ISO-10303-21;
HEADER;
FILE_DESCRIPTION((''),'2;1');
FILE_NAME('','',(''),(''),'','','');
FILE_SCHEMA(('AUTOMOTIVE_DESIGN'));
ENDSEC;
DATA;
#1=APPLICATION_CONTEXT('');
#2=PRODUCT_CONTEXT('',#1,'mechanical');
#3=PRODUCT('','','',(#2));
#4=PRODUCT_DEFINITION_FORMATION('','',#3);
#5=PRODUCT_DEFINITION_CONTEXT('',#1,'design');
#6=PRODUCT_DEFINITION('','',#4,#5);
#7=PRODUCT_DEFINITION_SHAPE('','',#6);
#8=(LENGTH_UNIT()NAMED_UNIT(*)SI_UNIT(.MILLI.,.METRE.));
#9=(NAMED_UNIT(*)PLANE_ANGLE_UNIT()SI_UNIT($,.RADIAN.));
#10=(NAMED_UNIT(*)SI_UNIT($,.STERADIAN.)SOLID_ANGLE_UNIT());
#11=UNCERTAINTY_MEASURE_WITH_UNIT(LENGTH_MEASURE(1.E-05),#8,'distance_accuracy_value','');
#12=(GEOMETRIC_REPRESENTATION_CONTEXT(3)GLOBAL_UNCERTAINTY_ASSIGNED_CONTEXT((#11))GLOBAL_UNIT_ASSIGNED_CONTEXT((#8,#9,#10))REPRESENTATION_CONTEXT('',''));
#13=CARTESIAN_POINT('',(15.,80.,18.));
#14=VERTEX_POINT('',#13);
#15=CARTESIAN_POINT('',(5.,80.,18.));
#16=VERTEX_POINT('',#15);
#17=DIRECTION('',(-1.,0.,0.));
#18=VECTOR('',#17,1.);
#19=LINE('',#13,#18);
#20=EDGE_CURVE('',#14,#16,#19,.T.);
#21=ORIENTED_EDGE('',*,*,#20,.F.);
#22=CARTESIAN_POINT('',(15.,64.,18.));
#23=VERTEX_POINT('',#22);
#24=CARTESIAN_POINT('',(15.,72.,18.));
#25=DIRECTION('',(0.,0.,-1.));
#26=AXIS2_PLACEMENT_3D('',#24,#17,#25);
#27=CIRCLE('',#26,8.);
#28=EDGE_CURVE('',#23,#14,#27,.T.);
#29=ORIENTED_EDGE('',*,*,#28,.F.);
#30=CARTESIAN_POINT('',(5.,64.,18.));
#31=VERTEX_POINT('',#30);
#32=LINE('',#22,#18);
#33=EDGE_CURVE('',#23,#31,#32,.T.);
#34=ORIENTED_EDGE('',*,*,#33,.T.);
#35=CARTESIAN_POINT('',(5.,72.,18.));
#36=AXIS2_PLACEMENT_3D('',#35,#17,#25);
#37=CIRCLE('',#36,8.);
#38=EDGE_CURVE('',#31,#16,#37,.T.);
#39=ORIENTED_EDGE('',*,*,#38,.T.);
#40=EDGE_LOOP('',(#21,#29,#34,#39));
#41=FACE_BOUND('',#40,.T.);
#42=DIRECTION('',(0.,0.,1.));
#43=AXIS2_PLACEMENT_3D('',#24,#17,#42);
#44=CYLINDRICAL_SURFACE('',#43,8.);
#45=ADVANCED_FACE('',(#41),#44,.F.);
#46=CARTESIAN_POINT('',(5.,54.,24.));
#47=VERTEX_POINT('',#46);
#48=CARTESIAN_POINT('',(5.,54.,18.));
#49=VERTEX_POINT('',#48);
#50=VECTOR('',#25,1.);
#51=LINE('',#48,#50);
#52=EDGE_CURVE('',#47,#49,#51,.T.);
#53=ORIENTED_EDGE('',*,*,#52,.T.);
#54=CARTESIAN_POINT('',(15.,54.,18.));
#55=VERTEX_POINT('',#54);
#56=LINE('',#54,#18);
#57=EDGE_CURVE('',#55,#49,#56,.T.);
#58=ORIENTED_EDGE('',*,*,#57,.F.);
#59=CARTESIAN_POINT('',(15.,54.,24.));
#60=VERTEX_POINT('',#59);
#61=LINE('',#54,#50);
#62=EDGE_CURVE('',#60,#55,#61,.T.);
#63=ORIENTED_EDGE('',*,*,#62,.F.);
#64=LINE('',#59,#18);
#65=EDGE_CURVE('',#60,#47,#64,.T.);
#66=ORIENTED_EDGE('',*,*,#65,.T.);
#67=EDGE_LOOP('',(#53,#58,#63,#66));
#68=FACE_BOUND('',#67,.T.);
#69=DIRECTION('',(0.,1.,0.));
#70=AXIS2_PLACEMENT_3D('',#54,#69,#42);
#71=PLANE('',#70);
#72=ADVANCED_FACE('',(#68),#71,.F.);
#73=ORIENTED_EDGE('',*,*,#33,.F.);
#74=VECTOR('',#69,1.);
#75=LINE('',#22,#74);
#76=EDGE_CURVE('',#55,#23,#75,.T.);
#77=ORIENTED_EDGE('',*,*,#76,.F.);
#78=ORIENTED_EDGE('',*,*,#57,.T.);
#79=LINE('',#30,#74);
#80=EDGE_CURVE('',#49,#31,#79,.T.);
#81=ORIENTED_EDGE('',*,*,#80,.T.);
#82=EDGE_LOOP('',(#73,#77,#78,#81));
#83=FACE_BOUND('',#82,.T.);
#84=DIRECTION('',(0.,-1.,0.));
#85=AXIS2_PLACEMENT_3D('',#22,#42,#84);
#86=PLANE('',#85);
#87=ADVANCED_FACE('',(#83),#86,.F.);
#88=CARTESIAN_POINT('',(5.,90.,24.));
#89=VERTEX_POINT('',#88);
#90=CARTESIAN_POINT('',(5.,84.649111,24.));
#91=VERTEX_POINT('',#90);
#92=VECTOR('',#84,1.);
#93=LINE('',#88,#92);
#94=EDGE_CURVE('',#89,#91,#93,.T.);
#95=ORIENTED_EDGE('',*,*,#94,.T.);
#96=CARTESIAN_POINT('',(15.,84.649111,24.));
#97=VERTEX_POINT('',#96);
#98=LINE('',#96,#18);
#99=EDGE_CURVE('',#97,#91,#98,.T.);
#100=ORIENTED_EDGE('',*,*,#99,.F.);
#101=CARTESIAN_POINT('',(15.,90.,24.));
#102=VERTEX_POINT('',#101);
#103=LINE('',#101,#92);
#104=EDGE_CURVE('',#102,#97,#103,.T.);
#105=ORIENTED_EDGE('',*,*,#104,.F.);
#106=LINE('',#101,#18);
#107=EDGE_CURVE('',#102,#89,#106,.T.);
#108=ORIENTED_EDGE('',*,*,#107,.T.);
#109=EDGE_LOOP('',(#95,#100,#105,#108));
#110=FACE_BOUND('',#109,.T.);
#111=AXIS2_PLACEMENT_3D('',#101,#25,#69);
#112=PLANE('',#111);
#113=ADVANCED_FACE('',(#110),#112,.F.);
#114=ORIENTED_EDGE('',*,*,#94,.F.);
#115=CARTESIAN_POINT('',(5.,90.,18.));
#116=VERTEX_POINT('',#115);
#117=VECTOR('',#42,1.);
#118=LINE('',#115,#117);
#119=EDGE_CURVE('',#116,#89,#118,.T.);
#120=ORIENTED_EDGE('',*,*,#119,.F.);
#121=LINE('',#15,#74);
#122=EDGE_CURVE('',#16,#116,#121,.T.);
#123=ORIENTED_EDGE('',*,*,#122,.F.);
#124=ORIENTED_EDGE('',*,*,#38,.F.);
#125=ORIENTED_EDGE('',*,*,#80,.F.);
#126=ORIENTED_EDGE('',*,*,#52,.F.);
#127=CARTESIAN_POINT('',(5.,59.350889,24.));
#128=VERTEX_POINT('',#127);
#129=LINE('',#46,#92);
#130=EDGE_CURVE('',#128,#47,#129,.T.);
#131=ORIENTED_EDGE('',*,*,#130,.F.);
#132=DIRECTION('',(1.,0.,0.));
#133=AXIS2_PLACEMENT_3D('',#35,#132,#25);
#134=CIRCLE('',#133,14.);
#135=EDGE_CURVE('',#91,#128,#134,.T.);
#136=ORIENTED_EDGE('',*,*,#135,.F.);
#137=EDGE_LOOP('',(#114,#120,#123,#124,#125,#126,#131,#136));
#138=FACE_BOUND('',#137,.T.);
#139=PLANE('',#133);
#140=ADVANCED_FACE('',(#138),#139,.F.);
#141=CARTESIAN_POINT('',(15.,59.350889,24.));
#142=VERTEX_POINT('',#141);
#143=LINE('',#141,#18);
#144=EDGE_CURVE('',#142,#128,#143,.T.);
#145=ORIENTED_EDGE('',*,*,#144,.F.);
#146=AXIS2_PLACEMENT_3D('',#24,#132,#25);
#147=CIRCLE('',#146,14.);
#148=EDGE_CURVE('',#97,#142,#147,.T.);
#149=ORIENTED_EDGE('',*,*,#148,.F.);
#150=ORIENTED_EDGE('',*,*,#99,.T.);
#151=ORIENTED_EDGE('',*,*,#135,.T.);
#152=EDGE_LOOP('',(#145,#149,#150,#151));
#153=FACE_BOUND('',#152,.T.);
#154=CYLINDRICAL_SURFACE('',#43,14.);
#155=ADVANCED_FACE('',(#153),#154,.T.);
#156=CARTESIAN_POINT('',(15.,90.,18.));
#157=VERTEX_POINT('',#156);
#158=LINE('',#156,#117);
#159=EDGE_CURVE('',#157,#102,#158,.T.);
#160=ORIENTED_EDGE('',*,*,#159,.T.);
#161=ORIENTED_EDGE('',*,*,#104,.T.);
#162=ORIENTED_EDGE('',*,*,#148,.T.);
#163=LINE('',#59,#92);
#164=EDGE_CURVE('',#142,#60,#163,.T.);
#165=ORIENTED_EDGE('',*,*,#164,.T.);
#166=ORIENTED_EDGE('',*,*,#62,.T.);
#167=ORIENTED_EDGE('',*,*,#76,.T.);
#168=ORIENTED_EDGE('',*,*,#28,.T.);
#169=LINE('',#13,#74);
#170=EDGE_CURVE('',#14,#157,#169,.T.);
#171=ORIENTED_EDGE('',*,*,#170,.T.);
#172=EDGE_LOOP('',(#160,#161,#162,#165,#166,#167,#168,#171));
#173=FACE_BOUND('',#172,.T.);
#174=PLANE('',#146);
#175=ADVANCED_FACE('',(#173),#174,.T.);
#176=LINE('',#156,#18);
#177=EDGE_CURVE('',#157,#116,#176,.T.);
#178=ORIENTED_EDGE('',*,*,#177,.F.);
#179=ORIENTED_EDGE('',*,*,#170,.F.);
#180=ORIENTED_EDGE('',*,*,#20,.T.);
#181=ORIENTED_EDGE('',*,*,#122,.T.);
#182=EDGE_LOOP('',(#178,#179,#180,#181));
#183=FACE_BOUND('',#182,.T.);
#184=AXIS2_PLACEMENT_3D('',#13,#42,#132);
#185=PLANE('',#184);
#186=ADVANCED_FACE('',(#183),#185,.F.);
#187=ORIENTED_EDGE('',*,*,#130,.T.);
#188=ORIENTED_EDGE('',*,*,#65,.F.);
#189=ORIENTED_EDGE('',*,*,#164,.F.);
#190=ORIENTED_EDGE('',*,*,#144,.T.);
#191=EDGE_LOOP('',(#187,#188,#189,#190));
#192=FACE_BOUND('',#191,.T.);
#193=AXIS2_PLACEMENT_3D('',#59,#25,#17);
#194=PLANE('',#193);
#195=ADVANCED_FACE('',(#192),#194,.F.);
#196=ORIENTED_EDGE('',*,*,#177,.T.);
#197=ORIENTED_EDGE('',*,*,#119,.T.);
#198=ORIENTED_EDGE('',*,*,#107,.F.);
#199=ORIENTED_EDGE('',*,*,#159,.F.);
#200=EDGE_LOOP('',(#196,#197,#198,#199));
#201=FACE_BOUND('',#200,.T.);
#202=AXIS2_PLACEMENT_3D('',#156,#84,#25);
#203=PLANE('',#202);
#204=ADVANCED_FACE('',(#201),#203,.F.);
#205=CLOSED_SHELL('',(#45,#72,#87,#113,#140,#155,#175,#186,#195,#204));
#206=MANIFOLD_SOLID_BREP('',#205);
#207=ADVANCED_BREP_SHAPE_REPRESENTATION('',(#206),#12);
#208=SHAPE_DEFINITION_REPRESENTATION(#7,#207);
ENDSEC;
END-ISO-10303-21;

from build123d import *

# Parameters (mm, degrees)
EXTRUDE_1_DEPTH = 5


with BuildPart() as part:
    # 草图1 → 凸台-拉伸1 (new, symmetric)
    with BuildSketch(Plane(origin=(10, 0, 0), x_dir=(0, 0, -1), z_dir=(1, 0, 0))):
        with BuildLine():
            Line((-18, 80), (-18, 90))
            Line((-18, 90), (-24, 90))
            Line((-24, 90), (-24, 84.649110641))
            ThreePointArc((-24, 84.649110641), (-32, 72), (-24, 59.350889359))
            Line((-24, 59.350889359), (-24, 54))
            Line((-24, 54), (-18, 54))
            Line((-18, 54), (-18, 64))
            ThreePointArc((-18, 64), (-26, 72), (-18, 80))
        make_face()
    extrude(amount=EXTRUDE_1_DEPTH, both=True)


solid = part.part
